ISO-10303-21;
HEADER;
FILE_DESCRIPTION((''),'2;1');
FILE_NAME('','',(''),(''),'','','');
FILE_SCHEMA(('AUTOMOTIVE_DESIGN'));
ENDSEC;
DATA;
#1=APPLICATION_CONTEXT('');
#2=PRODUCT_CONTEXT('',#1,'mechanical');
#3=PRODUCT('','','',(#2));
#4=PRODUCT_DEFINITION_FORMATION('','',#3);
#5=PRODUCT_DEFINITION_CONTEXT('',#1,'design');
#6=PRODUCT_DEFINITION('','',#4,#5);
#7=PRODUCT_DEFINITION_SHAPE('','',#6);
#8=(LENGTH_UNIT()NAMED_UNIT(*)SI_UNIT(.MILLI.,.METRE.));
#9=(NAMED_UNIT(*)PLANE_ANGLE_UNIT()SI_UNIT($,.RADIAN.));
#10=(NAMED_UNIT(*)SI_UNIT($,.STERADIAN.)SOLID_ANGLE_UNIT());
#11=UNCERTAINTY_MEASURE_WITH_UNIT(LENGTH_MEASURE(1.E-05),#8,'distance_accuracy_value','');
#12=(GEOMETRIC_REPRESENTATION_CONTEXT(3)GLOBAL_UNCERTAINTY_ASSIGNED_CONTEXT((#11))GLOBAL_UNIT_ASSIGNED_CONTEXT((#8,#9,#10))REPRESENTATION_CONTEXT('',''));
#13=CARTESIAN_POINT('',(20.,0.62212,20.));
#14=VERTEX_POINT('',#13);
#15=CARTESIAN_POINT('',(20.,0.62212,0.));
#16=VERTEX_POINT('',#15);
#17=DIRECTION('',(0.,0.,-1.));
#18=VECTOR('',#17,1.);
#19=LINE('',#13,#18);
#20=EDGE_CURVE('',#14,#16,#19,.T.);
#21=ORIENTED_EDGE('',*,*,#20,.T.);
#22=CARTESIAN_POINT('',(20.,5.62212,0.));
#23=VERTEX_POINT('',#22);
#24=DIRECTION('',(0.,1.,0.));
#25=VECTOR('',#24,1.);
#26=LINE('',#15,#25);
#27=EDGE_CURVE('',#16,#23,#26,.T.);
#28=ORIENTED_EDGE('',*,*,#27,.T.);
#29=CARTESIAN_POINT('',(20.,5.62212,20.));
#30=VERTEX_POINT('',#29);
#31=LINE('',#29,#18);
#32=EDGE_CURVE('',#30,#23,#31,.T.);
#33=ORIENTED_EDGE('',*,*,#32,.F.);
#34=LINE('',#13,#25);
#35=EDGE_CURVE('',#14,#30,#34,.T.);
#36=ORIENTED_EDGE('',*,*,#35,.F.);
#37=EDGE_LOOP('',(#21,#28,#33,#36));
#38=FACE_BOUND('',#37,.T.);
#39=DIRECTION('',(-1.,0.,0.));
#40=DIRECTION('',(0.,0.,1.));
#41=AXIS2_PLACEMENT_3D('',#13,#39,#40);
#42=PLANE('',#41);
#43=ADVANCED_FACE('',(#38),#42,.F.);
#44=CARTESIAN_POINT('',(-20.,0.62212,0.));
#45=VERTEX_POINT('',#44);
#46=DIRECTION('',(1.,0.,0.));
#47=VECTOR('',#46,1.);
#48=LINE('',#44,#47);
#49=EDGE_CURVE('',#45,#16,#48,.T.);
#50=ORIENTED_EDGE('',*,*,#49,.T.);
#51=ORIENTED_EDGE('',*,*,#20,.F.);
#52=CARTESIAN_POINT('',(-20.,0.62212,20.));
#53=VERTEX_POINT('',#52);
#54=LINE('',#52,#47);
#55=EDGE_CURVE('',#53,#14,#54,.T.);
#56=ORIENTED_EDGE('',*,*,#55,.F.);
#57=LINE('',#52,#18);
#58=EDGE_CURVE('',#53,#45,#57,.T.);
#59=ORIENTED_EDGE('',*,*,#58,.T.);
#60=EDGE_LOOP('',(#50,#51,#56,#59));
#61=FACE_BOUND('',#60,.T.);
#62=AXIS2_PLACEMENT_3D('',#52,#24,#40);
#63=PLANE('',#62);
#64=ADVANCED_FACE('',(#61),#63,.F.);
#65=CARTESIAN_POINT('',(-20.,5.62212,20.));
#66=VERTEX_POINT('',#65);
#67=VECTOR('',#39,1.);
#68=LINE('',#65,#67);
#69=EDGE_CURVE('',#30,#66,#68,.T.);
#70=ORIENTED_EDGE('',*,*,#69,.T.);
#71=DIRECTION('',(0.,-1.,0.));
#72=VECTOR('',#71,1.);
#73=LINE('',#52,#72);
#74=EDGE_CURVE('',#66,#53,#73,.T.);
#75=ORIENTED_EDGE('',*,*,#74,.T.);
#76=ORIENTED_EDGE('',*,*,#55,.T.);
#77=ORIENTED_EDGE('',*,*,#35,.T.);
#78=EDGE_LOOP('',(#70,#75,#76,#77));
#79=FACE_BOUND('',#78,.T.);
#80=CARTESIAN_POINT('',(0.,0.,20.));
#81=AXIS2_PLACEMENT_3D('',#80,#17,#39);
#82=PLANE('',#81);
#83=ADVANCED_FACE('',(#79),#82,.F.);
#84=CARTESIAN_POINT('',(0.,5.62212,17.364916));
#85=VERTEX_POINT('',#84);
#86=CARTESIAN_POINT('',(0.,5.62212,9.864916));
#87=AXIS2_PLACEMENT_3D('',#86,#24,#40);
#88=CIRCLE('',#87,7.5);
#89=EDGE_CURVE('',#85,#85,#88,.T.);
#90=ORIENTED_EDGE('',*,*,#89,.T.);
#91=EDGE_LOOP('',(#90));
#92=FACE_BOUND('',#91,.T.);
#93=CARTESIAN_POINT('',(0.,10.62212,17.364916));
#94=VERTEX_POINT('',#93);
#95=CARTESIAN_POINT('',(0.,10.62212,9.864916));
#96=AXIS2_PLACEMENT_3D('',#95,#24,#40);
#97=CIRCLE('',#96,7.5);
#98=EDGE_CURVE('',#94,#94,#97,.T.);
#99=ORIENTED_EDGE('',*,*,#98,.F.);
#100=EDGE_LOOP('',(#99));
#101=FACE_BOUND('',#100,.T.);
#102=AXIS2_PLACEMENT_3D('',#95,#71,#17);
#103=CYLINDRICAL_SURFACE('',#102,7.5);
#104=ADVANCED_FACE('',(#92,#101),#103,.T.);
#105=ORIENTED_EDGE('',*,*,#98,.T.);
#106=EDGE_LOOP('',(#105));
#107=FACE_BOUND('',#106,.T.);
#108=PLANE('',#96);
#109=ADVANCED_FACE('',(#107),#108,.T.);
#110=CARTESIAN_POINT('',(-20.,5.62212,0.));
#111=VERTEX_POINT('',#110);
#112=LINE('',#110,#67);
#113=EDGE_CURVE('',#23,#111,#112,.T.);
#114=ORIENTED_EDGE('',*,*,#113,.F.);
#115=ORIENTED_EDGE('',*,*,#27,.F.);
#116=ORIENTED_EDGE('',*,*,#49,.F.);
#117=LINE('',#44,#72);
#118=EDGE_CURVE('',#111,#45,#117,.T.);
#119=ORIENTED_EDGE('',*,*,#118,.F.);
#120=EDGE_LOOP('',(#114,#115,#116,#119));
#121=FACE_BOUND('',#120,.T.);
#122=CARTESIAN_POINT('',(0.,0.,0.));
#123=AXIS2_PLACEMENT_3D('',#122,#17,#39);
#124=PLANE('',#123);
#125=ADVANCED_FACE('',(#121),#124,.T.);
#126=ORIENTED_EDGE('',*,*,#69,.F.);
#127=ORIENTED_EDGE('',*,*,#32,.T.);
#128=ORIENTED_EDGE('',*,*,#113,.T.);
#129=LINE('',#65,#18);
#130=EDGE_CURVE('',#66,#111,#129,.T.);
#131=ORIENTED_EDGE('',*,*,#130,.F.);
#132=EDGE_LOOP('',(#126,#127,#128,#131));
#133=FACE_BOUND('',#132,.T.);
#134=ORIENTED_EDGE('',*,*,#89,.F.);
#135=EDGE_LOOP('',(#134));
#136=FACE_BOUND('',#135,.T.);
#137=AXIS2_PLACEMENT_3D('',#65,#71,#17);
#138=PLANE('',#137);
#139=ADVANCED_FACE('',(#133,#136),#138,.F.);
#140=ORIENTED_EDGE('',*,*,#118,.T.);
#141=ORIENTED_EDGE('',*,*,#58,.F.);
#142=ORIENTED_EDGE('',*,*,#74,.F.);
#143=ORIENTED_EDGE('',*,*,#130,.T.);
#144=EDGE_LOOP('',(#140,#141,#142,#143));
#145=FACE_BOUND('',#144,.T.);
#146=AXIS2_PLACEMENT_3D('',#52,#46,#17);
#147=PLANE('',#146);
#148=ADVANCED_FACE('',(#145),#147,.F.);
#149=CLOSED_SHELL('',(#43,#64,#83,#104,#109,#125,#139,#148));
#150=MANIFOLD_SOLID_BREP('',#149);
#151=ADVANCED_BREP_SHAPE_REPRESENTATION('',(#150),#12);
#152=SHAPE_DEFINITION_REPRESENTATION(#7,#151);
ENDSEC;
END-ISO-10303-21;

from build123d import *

# Parameters (mm, degrees)
SKETCH1_W           = 40
SKETCH1_H           = 5
BOSS_EXTRUDE2_DEPTH = 20
SKETCH3_R           = 7.5
BOSS_EXTRUDE3_DEPTH = 5


with BuildPart() as part:
    # Sketch1 → Boss-Extrude2 (new body)
    with BuildSketch(Plane.XY):
        with Locations((0, 3.122119816)):
            Rectangle(SKETCH1_W, SKETCH1_H)
    extrude(amount=BOSS_EXTRUDE2_DEPTH)

    # Sketch3 → Boss-Extrude3 (add)
    with BuildSketch(Plane(origin=(0, 5.622119816, 0), x_dir=(1, 0, 0), z_dir=(0, 1, 0))):
        with Locations(Location((0, -9.864916244, 0), (0, 0, 270))):
            Circle(SKETCH3_R)
    extrude(amount=BOSS_EXTRUDE3_DEPTH)


solid = part.part
